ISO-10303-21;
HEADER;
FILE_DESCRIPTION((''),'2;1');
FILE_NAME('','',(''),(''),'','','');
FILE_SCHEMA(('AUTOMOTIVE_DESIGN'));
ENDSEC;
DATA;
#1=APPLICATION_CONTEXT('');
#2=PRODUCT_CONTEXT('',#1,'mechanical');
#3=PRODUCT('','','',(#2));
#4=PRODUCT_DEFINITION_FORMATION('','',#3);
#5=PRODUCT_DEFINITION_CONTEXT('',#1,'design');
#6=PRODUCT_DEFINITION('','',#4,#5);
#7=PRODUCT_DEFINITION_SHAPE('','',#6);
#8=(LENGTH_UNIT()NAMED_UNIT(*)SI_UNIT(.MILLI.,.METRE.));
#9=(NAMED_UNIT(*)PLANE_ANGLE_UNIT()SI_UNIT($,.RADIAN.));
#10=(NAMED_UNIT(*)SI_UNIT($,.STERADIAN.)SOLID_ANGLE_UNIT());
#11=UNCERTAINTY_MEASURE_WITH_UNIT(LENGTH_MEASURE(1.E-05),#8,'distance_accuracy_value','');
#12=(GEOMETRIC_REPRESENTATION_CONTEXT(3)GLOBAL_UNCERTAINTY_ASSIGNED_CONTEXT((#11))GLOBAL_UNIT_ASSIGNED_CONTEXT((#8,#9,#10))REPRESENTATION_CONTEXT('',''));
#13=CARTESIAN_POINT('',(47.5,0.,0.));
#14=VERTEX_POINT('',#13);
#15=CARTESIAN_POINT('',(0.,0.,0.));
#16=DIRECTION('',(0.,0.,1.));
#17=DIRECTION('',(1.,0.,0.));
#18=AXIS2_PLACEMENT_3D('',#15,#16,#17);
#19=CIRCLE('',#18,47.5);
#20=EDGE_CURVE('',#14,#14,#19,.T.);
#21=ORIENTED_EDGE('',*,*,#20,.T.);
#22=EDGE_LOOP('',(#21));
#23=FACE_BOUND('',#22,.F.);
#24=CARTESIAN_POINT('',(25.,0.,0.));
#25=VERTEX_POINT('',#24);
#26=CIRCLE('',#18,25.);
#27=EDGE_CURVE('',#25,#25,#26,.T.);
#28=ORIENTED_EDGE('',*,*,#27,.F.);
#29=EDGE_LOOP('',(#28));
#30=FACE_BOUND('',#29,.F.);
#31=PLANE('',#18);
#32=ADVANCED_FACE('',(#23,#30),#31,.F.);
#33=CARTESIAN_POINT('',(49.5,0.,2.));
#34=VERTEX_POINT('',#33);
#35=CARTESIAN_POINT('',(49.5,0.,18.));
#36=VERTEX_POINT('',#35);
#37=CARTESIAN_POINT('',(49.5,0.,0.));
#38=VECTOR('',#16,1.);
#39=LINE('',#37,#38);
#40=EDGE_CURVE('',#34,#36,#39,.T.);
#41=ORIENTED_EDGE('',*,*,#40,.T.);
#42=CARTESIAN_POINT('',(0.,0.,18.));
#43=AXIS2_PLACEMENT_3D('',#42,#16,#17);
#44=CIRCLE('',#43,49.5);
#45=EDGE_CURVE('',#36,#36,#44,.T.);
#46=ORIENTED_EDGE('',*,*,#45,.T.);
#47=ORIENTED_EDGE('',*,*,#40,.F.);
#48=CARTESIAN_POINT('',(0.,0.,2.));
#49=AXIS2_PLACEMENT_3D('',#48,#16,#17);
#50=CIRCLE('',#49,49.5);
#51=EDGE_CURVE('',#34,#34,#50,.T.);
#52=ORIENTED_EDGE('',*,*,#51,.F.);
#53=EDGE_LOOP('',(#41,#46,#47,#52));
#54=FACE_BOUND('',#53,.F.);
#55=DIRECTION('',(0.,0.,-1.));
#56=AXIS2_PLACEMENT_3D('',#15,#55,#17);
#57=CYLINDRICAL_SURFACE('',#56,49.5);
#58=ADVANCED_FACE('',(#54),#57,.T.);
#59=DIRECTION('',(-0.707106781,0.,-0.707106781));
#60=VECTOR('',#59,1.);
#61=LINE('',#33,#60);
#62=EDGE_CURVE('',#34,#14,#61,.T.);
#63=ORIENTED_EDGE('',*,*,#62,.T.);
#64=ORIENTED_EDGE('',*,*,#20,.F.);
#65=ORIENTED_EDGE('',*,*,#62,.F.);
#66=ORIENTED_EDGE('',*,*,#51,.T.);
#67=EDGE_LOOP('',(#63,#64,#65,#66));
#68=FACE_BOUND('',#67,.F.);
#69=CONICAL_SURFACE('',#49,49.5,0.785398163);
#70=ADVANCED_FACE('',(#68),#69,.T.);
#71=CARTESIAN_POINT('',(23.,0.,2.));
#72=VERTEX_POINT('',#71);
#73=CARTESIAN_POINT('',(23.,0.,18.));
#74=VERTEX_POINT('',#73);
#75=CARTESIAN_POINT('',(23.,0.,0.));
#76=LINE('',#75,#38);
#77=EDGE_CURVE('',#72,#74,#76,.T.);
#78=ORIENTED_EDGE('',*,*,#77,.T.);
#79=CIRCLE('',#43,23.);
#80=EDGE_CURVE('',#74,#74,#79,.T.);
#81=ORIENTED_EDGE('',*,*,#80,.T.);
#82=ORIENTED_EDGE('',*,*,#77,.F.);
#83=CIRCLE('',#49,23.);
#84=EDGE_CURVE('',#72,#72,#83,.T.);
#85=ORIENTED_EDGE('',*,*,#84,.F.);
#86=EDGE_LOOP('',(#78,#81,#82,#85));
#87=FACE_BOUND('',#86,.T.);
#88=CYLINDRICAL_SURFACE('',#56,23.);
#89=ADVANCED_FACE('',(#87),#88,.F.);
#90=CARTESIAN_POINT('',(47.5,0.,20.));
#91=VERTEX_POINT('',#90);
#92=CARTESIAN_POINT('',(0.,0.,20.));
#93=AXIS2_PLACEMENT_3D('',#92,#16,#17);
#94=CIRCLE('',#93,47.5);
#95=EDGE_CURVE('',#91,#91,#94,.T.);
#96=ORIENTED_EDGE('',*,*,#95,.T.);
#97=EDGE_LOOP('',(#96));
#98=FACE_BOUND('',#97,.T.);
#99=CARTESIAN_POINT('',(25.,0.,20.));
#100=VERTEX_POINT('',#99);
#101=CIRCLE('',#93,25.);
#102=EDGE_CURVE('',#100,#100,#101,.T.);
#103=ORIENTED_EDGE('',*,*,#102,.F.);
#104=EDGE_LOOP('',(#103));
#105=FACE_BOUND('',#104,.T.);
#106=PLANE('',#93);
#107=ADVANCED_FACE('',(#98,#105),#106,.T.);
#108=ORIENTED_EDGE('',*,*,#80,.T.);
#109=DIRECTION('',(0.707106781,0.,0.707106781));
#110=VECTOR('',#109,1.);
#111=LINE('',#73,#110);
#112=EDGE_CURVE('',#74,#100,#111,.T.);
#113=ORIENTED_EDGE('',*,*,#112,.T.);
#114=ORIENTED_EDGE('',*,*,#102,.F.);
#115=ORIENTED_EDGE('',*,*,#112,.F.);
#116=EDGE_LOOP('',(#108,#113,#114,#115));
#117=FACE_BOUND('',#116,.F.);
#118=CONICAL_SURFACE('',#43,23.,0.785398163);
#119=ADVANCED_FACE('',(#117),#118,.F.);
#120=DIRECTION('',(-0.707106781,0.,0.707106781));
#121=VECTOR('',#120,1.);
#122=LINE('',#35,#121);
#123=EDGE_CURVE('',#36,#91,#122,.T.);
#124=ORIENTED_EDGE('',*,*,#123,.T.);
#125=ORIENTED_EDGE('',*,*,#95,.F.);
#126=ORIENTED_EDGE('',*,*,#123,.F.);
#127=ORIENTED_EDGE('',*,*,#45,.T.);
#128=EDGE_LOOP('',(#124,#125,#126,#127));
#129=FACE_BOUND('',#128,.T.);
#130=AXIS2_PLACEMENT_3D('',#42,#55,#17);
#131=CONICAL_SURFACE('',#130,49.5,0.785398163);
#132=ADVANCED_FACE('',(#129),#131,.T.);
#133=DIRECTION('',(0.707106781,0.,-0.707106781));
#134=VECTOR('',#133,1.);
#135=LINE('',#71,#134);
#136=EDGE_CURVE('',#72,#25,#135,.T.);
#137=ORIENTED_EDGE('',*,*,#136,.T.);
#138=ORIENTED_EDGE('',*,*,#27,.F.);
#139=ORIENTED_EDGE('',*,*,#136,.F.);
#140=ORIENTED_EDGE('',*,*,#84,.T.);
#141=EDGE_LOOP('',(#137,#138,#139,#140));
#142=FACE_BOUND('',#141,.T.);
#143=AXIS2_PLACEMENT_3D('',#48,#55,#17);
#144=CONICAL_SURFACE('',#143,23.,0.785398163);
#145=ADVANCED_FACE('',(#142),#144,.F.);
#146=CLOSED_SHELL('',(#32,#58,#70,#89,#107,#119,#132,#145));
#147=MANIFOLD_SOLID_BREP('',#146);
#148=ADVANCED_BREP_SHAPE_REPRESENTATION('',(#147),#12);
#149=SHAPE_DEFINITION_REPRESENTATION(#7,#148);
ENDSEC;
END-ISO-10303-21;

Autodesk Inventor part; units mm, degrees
ref_plane "YZ Plane" through (0, 0, 0) normal (1, 0, 0) x (0, 1, 0)
ref_plane "XZ Plane" through (0, 0, 0) normal (0, 1, 0) x (-1, 0, 0)
ref_plane "XY Plane" through (0, 0, 0) normal (0, 0, 1) x (1, 0, 0)
sketch "Эскиз1" plane through (0, 0, 0) normal (0, 0, 1) x (1, 0, 0)
  circle A0 centre (0, 0) radius 49.5
  circle A1 centre (0, 0) radius 23
  dimension "d0" = 99
  dimension "d1" = 46
extrude "Выдавливание1" add sketch "Эскиз1" along normal blind 20
chamfer "Фаска1" distance 2 angle 45 4 edges at (-23, 0, 20) (-49.5, 0, 20) (-23, 0, 0) (-49.5, 0, 0)
properties part number "Кольцо поршень-шток низ" material "Сталь, мягкая"
